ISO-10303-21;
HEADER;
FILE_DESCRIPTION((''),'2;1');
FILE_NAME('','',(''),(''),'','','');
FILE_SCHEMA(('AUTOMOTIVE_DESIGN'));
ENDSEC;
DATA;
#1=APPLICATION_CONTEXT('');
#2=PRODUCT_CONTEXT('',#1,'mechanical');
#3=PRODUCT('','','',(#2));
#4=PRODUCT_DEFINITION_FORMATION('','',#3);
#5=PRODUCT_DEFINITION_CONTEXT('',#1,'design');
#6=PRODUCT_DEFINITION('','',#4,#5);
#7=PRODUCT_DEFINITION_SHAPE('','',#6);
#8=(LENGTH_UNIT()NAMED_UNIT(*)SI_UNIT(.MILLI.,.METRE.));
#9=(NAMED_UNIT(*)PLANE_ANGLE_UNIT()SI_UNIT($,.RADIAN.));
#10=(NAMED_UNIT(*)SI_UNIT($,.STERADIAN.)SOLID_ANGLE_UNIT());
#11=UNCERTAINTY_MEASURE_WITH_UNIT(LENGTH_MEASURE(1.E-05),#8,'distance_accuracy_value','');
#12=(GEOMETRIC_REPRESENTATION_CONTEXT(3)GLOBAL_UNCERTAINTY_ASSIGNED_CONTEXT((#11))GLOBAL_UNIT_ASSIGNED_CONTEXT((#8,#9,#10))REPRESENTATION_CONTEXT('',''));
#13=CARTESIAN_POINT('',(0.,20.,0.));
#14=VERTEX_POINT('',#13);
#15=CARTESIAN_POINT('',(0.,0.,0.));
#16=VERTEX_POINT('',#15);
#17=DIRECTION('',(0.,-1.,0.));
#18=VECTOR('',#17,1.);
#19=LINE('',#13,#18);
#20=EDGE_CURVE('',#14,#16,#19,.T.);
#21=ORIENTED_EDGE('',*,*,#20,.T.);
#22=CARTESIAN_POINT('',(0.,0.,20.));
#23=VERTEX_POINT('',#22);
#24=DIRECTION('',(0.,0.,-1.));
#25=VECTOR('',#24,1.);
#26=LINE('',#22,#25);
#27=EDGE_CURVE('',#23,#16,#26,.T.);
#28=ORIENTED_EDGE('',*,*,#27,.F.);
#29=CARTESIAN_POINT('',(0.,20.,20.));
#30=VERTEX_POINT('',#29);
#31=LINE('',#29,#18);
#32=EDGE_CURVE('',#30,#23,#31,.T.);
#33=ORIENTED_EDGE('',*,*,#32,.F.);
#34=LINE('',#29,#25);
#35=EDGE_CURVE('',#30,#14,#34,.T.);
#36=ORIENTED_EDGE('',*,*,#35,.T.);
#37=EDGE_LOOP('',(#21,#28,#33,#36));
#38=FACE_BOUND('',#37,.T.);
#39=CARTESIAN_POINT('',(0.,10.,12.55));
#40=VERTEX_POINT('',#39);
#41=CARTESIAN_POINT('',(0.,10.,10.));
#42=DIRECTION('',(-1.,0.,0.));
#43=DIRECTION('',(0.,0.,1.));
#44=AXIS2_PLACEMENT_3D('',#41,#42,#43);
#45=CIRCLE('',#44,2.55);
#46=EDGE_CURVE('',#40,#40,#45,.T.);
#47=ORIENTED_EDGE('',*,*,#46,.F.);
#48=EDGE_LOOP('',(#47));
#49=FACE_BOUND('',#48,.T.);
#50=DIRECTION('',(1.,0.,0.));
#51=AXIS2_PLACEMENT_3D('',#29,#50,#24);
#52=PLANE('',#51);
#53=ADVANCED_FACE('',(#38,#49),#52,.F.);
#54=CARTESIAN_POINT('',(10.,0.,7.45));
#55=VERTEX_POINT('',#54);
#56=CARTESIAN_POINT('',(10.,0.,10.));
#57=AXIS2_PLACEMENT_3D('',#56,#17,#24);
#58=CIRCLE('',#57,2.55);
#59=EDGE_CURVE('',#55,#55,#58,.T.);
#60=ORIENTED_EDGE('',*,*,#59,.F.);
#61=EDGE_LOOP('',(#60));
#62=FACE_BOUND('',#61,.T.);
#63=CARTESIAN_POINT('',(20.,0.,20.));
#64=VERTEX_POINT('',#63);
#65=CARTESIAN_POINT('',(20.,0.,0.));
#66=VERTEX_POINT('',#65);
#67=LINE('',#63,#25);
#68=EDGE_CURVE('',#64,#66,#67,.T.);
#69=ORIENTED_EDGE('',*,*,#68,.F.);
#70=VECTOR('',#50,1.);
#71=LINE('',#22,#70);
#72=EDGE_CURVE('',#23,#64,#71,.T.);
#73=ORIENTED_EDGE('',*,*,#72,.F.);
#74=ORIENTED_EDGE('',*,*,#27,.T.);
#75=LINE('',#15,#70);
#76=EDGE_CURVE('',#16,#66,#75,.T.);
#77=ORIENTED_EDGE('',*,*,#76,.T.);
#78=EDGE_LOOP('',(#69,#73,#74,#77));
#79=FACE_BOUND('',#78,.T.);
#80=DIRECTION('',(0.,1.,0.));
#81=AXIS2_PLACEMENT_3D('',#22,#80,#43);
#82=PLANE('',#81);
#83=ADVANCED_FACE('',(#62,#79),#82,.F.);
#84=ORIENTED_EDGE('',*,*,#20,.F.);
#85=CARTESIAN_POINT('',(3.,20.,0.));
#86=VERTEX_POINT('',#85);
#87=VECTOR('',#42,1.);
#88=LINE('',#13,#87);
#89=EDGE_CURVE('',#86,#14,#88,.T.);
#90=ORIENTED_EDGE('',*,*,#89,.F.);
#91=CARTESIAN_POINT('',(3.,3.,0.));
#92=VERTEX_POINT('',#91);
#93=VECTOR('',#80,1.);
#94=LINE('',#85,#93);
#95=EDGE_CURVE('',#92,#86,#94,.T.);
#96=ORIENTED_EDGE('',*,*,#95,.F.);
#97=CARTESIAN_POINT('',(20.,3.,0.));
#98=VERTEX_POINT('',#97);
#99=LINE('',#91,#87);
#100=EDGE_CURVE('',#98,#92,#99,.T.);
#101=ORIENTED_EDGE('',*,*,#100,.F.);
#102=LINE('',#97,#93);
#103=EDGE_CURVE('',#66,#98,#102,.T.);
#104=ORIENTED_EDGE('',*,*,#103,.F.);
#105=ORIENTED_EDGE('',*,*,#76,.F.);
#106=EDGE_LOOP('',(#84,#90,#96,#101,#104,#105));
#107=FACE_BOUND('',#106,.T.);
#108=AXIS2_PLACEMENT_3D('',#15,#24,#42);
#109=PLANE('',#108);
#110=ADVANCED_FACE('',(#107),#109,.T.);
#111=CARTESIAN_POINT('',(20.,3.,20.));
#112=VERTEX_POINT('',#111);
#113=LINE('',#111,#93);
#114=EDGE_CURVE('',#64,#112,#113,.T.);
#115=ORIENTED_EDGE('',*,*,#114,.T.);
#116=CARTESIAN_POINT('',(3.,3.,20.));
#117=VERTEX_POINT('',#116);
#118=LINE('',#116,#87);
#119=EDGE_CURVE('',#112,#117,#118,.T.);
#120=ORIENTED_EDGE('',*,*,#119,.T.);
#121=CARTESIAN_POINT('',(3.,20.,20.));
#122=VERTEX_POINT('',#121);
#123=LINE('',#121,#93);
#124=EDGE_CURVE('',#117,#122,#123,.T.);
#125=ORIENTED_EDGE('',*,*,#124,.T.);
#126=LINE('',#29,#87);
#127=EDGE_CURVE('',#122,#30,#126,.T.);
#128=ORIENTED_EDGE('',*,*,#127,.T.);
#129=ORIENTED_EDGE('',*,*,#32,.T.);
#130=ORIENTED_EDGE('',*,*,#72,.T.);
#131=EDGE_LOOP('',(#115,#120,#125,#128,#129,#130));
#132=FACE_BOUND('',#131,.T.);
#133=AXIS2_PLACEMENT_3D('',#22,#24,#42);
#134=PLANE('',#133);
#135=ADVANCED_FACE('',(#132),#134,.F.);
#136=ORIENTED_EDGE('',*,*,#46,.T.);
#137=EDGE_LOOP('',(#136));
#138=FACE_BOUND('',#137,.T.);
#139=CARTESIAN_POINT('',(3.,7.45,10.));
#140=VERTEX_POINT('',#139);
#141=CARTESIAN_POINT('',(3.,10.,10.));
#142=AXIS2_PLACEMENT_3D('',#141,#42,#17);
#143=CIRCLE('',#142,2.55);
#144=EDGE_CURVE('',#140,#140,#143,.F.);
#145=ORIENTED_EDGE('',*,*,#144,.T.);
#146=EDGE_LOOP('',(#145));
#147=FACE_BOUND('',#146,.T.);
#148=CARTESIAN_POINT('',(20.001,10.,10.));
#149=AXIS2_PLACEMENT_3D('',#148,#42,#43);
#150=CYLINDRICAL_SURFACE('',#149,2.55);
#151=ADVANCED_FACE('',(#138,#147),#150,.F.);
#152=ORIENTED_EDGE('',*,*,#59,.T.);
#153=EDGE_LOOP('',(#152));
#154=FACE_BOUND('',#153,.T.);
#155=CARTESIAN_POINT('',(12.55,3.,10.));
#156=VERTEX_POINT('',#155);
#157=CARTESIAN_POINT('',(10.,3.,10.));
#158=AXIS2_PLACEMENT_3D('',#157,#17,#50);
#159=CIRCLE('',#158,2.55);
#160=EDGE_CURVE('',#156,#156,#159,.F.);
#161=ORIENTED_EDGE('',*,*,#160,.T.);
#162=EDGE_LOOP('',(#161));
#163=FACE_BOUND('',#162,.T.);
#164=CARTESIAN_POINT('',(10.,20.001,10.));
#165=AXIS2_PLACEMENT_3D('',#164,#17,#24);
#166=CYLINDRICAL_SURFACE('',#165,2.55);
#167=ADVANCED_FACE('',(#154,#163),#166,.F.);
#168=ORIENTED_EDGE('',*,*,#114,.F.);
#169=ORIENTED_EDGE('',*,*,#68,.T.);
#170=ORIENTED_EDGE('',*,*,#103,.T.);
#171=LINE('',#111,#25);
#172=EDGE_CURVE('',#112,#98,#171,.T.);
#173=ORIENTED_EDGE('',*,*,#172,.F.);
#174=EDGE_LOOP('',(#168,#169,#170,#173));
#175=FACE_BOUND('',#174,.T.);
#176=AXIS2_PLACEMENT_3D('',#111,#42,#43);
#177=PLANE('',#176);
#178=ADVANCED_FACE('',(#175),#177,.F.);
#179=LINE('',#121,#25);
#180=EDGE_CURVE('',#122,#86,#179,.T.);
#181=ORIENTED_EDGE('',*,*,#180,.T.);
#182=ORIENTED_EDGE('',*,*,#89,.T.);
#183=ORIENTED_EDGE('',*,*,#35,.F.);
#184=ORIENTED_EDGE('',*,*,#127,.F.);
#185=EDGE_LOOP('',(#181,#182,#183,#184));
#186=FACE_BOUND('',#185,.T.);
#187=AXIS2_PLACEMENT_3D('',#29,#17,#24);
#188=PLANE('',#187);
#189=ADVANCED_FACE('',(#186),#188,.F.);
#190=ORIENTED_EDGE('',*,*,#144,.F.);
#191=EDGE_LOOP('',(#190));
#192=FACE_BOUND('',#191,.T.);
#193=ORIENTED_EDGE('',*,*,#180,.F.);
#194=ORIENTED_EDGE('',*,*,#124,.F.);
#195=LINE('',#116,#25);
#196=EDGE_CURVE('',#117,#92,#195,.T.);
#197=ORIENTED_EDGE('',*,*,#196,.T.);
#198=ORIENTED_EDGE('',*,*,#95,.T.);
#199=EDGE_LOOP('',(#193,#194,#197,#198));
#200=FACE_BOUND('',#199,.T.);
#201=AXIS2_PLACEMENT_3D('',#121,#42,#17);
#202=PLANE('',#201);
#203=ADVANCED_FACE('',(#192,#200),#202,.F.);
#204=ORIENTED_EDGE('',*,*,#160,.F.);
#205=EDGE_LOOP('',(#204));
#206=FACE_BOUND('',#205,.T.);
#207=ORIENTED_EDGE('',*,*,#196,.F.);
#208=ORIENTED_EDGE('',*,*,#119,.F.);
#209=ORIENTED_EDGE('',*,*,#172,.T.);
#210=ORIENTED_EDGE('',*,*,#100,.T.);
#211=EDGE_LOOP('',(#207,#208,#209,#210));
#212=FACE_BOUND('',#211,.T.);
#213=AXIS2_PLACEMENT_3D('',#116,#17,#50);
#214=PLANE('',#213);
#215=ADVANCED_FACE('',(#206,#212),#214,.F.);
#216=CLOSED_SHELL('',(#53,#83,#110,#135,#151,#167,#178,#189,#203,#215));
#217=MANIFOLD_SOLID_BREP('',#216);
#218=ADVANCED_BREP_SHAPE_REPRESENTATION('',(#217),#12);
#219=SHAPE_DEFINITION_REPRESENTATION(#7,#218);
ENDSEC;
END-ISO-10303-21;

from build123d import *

# Parameters (mm, degrees)
BOSS_EXTRUDE1_DEPTH = 20
CUT_EXTRUDE1_REACH  = 22
SKETCH2_R           = 2.55
CUT_EXTRUDE2_REACH  = 22
SKETCH3_R           = 2.55


with BuildPart() as part:
    # Sketch1 → Boss-Extrude1 (new body)
    with BuildSketch(Plane.XY):
        Polygon((0, 20), (0, 0), (20, 0), (20, 3), (3, 3), (3, 20), align=None)
    extrude(amount=BOSS_EXTRUDE1_DEPTH)

    # Sketch2 → Cut-Extrude1 (cut, up to next)
    with BuildSketch(Plane.ZY, mode=Mode.PRIVATE) as cut_extrude1_sk1:
        with Locations((10, 10)):
            Circle(SKETCH2_R)
    cut_extrude1_tool1 = extrude(cut_extrude1_sk1.sketch, amount=-CUT_EXTRUDE1_REACH, mode=Mode.PRIVATE) & part.part
    add(cut_extrude1_tool1.solids().sort_by_distance((0, 10, 10))[0], mode=Mode.SUBTRACT)

    # Sketch3 → Cut-Extrude2 (cut, up to next)
    with BuildSketch(Plane.XZ, mode=Mode.PRIVATE) as cut_extrude2_sk1:
        with Locations((10, 10)):
            Circle(SKETCH3_R)
    cut_extrude2_tool1 = extrude(cut_extrude2_sk1.sketch, amount=-CUT_EXTRUDE2_REACH, mode=Mode.PRIVATE) & part.part
    add(cut_extrude2_tool1.solids().sort_by_distance((10, 0, 10))[0], mode=Mode.SUBTRACT)


solid = part.part
